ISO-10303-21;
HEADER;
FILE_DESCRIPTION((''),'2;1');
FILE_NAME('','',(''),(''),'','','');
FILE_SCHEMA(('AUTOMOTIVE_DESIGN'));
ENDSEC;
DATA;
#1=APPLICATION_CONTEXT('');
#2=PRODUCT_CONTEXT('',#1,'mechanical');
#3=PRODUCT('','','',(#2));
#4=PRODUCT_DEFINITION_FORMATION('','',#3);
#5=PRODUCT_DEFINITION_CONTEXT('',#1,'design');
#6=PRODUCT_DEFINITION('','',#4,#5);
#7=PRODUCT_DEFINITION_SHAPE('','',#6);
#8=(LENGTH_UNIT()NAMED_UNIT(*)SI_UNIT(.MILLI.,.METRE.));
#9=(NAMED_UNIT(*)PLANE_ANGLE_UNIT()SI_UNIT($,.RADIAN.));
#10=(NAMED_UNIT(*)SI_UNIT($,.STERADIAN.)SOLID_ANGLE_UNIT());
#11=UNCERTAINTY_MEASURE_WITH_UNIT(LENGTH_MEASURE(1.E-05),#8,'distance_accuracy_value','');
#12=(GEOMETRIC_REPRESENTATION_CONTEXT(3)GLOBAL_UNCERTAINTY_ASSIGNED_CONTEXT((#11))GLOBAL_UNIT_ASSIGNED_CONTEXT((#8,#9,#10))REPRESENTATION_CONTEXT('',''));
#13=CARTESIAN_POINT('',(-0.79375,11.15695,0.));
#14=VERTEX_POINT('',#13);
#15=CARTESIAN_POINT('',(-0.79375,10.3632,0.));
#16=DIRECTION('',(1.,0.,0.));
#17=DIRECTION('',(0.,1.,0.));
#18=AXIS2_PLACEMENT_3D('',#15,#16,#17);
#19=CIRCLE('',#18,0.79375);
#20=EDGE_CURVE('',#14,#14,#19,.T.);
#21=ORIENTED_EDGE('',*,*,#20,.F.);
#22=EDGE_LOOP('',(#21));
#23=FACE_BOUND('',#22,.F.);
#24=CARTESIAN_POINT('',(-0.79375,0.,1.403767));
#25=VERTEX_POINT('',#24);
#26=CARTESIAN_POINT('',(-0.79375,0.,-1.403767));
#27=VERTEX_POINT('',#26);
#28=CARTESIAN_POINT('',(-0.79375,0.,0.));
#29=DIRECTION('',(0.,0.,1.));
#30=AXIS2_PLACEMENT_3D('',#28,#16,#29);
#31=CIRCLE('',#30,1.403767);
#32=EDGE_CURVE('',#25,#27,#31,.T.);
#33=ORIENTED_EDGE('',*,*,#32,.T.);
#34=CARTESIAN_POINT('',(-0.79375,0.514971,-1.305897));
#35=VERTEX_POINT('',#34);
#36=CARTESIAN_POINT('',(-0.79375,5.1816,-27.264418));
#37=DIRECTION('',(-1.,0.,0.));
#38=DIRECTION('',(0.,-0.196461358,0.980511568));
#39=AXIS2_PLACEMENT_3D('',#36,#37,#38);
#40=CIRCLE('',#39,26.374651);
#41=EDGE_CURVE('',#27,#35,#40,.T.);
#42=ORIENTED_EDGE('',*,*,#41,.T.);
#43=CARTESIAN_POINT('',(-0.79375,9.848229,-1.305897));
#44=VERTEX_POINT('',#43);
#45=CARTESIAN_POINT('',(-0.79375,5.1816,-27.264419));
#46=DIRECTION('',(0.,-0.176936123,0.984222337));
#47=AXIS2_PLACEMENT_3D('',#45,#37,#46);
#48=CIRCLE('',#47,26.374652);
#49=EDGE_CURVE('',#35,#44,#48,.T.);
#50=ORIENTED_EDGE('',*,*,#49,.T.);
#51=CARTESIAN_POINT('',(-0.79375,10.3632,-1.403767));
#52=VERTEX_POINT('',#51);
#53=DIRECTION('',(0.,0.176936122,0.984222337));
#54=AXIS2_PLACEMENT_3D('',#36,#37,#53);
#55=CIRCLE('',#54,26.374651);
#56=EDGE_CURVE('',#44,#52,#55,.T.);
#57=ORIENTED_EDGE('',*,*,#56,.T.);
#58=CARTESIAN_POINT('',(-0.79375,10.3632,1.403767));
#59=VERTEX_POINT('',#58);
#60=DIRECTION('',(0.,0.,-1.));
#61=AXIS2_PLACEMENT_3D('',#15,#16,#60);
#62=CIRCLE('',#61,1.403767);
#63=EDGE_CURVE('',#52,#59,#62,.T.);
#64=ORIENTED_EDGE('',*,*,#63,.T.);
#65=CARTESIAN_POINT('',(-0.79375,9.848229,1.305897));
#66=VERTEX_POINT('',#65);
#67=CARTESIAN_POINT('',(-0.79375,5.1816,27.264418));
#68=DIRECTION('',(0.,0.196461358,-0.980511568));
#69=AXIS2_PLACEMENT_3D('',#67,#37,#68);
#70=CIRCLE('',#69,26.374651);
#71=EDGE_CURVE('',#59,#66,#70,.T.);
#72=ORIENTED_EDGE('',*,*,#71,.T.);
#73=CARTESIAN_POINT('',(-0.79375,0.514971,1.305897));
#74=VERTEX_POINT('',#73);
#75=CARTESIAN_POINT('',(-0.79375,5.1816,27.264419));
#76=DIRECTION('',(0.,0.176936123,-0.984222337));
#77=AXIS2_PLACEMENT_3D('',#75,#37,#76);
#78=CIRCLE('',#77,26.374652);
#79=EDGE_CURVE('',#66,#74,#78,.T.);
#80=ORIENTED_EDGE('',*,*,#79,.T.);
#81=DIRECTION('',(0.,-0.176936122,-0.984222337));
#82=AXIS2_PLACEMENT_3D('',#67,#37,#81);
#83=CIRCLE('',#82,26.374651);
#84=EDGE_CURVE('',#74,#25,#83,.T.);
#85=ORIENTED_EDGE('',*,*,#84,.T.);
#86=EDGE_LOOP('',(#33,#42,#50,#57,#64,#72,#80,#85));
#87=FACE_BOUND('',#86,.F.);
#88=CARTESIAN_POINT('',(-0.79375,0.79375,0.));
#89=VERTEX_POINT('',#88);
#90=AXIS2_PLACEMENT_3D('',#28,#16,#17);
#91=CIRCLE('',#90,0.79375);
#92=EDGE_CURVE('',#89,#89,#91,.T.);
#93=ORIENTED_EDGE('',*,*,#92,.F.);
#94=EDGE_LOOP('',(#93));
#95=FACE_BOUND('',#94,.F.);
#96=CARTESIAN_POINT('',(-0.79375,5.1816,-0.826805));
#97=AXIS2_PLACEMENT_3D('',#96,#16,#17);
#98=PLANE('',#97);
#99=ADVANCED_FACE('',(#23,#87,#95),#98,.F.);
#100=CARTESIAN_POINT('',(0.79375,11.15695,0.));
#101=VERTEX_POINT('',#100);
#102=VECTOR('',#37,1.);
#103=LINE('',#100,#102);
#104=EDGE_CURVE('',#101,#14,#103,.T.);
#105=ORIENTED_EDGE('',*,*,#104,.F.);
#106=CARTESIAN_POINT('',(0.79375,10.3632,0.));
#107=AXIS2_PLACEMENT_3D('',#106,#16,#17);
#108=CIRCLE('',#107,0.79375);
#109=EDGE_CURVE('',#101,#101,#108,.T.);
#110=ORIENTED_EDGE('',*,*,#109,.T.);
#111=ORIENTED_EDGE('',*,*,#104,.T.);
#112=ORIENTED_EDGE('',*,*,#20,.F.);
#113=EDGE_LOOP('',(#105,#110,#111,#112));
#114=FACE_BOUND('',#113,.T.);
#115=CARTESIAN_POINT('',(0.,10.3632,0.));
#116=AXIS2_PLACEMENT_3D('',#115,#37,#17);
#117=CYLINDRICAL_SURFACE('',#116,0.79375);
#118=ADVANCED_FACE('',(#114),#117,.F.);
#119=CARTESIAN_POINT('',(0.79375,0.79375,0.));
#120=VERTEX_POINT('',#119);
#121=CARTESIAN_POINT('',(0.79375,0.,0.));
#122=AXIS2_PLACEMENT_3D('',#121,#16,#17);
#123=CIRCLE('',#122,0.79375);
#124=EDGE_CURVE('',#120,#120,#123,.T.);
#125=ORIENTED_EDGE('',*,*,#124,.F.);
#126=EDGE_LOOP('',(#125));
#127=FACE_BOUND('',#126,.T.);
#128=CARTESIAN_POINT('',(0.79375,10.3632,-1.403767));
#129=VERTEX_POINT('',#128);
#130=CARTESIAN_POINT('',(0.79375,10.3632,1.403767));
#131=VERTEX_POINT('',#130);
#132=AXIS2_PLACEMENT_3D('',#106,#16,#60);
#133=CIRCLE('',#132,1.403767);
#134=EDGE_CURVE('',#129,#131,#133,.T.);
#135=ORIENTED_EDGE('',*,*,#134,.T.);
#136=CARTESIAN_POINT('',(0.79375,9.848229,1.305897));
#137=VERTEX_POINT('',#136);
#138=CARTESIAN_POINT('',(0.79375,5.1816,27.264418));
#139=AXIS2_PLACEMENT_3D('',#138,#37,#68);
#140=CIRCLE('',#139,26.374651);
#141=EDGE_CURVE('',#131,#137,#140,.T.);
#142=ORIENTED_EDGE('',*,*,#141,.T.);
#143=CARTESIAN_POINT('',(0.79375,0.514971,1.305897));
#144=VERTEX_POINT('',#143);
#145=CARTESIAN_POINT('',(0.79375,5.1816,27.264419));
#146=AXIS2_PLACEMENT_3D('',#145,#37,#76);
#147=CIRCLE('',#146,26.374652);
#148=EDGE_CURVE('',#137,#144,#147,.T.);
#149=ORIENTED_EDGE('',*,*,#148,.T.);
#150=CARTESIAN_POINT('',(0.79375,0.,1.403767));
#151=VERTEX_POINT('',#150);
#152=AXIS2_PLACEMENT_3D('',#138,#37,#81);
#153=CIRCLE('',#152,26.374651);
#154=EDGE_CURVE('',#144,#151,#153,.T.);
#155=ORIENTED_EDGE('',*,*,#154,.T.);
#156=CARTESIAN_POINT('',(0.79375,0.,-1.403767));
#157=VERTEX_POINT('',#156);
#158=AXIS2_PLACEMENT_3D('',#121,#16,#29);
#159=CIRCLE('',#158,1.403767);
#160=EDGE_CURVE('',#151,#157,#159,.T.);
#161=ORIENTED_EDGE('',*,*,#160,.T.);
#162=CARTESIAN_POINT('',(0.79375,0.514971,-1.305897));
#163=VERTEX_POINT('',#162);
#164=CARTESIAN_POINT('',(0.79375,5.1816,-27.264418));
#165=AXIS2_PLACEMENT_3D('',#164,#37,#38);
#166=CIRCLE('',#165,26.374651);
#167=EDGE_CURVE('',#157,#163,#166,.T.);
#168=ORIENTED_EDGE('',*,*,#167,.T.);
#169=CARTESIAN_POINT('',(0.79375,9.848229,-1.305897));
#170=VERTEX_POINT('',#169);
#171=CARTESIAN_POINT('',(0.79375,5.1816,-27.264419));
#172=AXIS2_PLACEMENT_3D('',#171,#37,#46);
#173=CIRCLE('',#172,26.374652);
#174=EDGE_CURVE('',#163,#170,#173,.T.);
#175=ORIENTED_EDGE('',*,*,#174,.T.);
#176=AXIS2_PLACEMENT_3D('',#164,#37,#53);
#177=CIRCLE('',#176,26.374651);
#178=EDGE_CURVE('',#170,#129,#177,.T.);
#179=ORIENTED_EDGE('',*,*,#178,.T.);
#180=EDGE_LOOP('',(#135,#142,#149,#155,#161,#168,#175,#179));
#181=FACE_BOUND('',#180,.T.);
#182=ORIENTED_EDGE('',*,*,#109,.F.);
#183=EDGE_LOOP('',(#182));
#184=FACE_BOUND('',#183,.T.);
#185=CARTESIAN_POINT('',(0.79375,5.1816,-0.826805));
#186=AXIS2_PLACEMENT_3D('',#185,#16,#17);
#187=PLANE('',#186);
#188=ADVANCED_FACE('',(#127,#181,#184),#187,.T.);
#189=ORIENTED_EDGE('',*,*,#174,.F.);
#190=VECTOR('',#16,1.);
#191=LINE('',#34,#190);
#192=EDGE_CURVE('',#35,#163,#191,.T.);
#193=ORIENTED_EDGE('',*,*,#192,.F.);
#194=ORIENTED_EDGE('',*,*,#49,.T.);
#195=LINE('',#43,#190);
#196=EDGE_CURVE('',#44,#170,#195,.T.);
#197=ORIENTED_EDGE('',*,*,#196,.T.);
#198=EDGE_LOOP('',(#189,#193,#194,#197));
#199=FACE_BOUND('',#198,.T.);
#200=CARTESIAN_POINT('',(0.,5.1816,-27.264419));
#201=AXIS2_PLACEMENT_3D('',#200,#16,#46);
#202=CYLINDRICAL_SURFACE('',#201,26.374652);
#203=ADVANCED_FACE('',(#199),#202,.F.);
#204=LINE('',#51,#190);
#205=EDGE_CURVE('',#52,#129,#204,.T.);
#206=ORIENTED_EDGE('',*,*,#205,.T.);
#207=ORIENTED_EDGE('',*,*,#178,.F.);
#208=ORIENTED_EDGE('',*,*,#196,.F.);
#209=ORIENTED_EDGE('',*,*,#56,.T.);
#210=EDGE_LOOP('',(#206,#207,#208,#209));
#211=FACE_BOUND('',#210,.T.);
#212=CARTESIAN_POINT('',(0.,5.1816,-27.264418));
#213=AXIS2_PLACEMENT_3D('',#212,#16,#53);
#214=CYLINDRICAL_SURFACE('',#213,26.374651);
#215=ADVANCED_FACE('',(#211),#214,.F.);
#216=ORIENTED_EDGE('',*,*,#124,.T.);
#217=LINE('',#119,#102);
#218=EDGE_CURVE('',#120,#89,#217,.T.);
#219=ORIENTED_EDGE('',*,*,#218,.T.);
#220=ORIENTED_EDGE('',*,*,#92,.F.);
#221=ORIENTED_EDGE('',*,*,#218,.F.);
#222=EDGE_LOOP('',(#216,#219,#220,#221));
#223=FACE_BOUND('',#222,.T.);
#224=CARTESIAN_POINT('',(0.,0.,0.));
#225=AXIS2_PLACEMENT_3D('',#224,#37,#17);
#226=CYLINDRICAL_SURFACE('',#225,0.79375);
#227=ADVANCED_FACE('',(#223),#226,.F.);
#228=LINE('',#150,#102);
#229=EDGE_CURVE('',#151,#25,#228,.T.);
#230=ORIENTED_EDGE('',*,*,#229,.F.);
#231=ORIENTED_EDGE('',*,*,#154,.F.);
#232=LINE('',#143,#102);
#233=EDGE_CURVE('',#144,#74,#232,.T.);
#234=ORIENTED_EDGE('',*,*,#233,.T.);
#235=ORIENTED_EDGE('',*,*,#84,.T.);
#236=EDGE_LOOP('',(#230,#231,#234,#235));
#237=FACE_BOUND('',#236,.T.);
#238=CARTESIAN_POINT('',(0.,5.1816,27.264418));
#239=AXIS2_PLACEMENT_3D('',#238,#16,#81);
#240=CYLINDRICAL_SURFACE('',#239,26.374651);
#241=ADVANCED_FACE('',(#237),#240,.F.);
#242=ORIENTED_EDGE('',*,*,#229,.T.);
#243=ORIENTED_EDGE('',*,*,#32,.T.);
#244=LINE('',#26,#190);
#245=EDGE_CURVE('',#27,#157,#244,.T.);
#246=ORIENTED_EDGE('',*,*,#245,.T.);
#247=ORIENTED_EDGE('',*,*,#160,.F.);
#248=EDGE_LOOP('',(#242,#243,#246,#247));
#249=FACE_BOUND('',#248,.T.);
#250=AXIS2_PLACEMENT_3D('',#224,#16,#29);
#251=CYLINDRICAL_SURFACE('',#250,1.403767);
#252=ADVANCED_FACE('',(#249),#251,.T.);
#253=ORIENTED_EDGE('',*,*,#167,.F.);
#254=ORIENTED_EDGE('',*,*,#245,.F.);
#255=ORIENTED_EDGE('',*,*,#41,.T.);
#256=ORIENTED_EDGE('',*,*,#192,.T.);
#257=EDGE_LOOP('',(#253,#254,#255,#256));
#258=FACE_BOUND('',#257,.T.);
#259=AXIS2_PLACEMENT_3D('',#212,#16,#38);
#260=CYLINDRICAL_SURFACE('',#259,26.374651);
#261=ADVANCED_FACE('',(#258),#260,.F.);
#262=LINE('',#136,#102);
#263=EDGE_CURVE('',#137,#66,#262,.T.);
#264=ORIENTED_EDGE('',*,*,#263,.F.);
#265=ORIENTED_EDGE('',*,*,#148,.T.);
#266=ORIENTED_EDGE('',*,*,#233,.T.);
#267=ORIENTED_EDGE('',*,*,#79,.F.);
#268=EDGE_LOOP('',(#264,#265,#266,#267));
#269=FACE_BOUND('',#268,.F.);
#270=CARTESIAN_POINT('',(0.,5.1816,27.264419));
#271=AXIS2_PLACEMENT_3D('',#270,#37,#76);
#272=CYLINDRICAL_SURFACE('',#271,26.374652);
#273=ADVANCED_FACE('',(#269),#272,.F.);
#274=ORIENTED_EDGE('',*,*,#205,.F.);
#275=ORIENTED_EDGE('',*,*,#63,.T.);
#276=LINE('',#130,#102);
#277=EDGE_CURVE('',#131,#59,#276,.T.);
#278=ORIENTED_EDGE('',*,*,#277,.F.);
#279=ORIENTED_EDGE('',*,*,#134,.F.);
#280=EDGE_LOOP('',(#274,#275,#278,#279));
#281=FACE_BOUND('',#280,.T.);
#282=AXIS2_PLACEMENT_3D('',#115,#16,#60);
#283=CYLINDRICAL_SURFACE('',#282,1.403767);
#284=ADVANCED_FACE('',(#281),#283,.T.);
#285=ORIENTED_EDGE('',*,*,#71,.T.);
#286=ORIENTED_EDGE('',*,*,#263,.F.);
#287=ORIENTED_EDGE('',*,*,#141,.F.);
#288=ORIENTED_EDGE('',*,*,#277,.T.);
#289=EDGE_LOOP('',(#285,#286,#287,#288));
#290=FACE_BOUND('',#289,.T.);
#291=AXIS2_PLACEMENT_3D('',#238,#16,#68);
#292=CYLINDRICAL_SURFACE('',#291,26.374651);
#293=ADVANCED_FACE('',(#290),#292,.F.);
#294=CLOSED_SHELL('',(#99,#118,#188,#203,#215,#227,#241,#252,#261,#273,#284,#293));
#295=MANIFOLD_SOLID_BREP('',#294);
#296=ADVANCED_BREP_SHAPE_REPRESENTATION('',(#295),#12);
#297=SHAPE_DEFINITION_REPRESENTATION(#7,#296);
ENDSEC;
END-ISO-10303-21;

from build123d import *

# Parameters (mm, degrees)
F0_R     = 0.79375
F1_DEPTH = 0.79375
F2_DEPTH = 0.79375


with BuildPart() as f1:
    # F0 (on Right) → F1 (new body, symmetric)
    with BuildSketch(Plane.YZ):
        with BuildLine():
            ThreePointArc((0, 1.4037669339), (-1.4037669339, 0), (0, -1.4037669339))
            ThreePointArc((0, -1.4037669339), (0.2572425005, -1.3535524165), (0.514971299, -1.3058966904))
            ThreePointArc((0.514971299, -1.3058966904), (0.9280346585, -1.0532394207), (1.2306806356, -0.6752679304))
            ThreePointArc((1.2306806356, -0.6752679304), (5.1816, -0.3836434905), (9.1325193644, -0.6752679304))
            ThreePointArc((9.1325193644, -0.6752679304), (9.4351653415, -1.0532394207), (9.848228701, -1.3058966904))
            ThreePointArc((9.848228701, -1.3058966904), (10.1059574995, -1.3535524165), (10.3632, -1.4037669339))
            ThreePointArc((10.3632, -1.4037669339), (11.7669669339, 0), (10.3632, 1.4037669339))
            ThreePointArc((10.3632, 1.4037669339), (10.1059574995, 1.3535524165), (9.848228701, 1.3058966904))
            ThreePointArc((9.848228701, 1.3058966904), (9.4351653415, 1.0532394207), (9.1325193644, 0.6752679304))
            ThreePointArc((9.1325193644, 0.6752679304), (5.1816, 0.3836434905), (1.2306806356, 0.6752679304))
            ThreePointArc((1.2306806356, 0.6752679304), (0.9280346585, 1.0532394207), (0.514971299, 1.3058966904))
            ThreePointArc((0.514971299, 1.3058966904), (0.2572425005, 1.3535524165), (0, 1.4037669339))
        make_face()
        Circle(F0_R, mode=Mode.SUBTRACT)
        with Locations((10.3632, 0)):
            Circle(F0_R, mode=Mode.SUBTRACT)
    extrude(amount=F1_DEPTH, both=True)

    # F0 (on Right) → F2 (join, symmetric)
    with BuildSketch(Plane.YZ):
        with BuildLine():
            ThreePointArc((9.848228701, 1.3058966904), (5.1816, 0.889766314), (0.514971299, 1.3058966904))
            ThreePointArc((0.514971299, 1.3058966904), (0.9280346585, 1.0532394207), (1.2306806356, 0.6752679304))
            ThreePointArc((1.2306806356, 0.6752679304), (5.1816, 0.3836434905), (9.1325193644, 0.6752679304))
            ThreePointArc((9.1325193644, 0.6752679304), (9.4351653415, 1.0532394207), (9.848228701, 1.3058966904))
        make_face()
        with BuildLine():
            ThreePointArc((1.2306806356, -0.6752679304), (0.9280346585, -1.0532394207), (0.514971299, -1.3058966904))
            ThreePointArc((0.514971299, -1.3058966904), (5.1816, -0.889766314), (9.848228701, -1.3058966904))
            ThreePointArc((9.848228701, -1.3058966904), (9.4351653415, -1.0532394207), (9.1325193644, -0.6752679304))
            ThreePointArc((9.1325193644, -0.6752679304), (5.1816, -0.3836434905), (1.2306806356, -0.6752679304))
        make_face()
    extrude(amount=F2_DEPTH, both=True)


solid = f1.part
